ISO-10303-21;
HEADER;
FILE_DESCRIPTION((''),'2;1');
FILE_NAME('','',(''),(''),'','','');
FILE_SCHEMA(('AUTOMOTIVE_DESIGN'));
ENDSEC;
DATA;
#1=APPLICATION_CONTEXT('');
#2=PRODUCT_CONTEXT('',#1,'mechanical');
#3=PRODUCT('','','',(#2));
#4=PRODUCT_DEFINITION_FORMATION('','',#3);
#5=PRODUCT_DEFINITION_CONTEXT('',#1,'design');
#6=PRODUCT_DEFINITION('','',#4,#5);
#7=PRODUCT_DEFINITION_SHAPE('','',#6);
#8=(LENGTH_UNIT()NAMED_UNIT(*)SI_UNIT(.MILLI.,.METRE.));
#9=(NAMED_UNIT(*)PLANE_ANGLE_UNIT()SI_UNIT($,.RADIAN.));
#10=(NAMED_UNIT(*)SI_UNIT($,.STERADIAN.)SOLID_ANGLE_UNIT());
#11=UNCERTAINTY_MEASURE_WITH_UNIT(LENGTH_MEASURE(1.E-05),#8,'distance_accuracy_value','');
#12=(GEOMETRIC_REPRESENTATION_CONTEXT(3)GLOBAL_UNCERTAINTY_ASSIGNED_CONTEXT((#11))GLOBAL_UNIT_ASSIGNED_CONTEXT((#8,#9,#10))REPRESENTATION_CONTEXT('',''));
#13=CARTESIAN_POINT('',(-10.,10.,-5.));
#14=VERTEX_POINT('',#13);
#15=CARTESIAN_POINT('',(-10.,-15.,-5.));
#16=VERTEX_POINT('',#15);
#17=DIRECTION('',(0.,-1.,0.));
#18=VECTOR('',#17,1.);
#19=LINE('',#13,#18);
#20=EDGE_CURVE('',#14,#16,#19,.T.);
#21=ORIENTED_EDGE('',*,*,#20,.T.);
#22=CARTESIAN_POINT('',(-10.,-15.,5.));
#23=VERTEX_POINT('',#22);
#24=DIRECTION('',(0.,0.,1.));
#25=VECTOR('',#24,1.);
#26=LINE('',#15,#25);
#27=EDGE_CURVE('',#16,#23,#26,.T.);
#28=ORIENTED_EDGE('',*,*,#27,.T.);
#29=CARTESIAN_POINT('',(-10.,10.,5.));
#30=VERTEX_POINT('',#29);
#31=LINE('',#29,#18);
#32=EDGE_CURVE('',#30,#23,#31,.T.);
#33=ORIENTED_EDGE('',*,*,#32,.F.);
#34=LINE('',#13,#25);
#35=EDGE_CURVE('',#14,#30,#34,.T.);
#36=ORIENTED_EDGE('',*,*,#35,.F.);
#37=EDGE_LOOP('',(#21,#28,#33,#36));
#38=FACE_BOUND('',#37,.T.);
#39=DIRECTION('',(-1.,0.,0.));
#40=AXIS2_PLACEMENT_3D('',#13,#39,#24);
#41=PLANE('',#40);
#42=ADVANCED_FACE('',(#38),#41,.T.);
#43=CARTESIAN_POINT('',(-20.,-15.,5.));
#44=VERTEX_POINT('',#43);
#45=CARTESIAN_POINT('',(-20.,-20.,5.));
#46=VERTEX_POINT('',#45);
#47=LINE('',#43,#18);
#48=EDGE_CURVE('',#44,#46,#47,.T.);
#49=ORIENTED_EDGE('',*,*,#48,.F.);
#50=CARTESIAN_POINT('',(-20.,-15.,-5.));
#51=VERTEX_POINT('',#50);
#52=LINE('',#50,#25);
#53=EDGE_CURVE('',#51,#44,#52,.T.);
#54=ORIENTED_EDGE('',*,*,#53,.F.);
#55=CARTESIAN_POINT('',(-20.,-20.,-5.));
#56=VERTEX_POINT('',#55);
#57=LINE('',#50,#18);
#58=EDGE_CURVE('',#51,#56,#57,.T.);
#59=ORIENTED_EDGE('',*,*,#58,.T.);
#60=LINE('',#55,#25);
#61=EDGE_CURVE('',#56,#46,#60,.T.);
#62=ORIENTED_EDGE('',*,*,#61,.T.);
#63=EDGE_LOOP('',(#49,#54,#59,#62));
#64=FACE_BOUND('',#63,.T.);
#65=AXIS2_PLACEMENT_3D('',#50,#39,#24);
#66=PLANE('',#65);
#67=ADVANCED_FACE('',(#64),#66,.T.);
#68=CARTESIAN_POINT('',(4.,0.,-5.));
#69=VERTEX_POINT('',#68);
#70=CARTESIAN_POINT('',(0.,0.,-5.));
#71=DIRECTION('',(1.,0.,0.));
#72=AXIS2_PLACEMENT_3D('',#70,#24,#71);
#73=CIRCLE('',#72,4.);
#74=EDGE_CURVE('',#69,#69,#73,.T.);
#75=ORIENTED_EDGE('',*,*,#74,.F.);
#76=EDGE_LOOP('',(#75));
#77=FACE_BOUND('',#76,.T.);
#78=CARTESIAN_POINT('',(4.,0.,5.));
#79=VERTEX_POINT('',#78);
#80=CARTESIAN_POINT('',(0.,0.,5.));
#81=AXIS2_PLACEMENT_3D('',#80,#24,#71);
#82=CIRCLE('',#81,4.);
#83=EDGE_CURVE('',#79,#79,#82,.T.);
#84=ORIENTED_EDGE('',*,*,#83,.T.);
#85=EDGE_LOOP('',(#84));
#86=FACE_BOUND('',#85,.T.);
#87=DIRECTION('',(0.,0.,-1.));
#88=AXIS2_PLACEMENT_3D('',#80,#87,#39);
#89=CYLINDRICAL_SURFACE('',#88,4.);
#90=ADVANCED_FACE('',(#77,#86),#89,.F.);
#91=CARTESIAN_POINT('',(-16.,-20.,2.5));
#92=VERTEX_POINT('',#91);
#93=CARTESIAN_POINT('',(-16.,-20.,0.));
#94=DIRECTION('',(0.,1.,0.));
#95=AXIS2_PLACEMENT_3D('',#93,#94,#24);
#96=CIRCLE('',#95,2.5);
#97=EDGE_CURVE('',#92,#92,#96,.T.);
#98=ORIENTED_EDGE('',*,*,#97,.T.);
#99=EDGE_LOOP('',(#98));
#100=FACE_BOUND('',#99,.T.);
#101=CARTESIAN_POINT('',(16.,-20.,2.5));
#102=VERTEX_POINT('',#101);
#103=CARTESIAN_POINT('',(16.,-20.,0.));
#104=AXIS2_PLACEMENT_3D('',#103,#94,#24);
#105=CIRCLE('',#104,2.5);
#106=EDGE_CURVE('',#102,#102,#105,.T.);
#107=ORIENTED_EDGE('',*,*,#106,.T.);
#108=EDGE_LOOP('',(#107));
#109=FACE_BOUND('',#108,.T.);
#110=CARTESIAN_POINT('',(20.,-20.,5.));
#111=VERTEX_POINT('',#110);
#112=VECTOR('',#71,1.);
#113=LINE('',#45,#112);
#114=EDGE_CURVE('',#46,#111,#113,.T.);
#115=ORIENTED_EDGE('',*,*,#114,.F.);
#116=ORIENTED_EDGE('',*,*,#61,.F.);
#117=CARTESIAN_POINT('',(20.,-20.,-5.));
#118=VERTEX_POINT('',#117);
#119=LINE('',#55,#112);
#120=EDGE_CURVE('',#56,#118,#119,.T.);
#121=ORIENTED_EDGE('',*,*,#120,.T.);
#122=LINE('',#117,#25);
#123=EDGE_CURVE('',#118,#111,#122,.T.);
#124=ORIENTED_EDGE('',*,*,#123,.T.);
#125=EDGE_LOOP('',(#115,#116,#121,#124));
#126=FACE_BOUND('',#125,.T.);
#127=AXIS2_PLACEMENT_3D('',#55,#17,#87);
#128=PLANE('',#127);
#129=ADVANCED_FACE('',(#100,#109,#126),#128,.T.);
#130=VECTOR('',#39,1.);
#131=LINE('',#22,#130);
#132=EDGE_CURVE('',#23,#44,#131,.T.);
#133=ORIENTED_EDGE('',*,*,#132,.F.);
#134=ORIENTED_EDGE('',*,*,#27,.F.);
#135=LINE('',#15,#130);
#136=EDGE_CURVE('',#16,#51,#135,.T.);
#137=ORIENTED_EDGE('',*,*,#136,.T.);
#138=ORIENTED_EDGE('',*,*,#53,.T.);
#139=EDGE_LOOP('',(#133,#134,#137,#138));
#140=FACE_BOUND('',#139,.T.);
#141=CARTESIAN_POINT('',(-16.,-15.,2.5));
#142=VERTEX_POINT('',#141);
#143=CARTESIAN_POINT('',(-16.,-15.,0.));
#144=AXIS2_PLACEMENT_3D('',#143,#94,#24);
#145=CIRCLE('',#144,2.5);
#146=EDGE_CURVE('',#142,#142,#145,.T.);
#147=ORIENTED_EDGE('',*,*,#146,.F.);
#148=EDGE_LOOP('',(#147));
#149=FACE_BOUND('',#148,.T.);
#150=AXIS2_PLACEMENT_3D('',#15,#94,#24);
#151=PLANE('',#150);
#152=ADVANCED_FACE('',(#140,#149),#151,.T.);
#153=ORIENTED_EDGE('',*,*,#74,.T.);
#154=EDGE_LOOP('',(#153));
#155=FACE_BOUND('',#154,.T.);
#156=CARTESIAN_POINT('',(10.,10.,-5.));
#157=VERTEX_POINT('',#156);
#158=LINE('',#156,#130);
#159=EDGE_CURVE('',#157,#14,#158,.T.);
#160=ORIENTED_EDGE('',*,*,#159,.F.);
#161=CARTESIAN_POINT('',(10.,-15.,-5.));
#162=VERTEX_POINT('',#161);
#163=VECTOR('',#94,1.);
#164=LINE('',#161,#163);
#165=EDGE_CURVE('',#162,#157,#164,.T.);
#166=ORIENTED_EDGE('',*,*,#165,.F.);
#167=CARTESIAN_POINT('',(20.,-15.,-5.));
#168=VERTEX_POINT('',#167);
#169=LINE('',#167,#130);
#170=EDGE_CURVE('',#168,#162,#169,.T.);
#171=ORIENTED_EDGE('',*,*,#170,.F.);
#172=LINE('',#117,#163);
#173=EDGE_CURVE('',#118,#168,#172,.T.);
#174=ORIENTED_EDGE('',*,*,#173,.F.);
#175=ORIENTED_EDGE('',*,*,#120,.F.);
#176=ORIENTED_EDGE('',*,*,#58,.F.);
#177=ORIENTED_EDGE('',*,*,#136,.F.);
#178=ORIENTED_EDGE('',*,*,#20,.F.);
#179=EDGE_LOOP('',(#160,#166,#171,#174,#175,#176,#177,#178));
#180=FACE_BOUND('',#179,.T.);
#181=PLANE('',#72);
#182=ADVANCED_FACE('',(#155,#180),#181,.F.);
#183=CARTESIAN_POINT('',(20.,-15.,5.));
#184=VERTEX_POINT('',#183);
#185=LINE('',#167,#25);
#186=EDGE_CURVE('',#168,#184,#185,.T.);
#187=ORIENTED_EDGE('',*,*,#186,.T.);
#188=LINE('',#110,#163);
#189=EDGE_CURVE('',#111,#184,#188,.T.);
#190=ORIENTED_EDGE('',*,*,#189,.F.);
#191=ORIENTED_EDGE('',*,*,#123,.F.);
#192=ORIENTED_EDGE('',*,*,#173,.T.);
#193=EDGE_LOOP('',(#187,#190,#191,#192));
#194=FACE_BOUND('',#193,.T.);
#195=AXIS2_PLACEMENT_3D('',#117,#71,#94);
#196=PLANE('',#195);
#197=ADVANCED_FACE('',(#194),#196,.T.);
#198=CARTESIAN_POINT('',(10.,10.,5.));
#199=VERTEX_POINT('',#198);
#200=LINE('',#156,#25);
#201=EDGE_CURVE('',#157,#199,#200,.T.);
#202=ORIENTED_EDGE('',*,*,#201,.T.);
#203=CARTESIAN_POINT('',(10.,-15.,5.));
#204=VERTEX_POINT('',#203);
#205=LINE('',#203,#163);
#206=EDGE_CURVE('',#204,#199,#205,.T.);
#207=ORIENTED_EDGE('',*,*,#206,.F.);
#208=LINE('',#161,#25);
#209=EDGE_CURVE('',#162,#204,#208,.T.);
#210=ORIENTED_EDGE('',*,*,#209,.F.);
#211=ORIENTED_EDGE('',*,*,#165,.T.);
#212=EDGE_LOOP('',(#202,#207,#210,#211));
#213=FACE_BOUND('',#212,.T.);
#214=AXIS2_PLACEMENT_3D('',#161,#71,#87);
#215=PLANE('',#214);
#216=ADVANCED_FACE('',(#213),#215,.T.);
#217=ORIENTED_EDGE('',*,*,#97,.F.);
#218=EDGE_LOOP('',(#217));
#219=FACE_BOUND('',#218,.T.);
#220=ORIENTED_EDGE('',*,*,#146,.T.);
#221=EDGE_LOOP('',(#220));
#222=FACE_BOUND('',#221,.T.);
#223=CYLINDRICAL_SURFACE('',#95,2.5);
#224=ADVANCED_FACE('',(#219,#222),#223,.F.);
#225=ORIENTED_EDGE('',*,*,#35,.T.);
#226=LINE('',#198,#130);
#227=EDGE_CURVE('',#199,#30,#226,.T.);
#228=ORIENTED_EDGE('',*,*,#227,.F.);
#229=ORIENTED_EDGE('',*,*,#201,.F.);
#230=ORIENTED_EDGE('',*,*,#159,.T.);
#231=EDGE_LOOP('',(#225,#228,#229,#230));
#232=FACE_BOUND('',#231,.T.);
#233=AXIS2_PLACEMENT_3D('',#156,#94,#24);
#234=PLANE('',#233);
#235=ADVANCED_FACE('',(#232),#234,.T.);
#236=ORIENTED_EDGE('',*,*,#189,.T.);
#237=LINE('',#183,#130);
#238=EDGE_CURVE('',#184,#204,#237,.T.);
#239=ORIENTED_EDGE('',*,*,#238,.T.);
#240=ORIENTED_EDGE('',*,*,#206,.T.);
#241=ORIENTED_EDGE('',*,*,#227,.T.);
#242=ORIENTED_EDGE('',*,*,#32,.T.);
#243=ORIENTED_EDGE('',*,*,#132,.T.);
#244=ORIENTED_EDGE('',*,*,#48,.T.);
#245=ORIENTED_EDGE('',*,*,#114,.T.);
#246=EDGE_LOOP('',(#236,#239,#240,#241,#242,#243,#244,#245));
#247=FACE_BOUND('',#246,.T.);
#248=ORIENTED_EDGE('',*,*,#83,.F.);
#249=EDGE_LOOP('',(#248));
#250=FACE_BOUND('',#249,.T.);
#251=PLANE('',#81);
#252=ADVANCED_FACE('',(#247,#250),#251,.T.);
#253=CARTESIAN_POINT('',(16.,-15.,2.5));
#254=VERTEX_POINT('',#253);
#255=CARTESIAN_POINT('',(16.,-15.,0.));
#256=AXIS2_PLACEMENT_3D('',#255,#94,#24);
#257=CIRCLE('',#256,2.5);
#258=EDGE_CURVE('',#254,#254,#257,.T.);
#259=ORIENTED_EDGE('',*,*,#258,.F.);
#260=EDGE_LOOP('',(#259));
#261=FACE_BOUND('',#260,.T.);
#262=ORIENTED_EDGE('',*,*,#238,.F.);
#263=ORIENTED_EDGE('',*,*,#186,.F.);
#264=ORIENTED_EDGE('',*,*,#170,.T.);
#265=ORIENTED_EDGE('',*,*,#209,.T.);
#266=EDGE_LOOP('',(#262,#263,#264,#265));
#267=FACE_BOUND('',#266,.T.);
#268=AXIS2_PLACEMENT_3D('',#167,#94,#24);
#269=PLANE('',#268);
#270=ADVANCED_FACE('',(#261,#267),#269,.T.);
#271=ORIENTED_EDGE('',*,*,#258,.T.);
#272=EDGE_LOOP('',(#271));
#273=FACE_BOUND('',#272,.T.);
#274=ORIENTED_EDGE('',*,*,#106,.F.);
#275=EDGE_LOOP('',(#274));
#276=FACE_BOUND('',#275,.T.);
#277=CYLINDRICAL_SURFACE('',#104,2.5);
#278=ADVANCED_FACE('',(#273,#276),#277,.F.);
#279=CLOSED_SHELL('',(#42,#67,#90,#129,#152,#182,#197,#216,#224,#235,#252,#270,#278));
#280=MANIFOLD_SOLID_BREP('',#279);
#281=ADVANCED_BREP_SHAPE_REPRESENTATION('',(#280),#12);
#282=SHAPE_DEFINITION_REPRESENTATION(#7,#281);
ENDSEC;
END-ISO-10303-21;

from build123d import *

# Parameters (mm, degrees)
RESSALTO_EXTRUS_O1_DEPTH      = 5
RESSALTO_EXTRUS_O1_DEPTH_BACK = 5
CORTE_EXTRUS_O1_DEPTH         = 5
CORTE_EXTRUS_O1_DEPTH_BACK    = 5
ESBO_O2_R                     = 4
ESBO_O3_R                     = 2.5
CORTE_EXTRUS_O2_DEPTH         = 29.722813233


with BuildPart() as part:
    # Esboço1 → Ressalto-extrusão1 (new, two sides: drawn at the far end of the back side and taken through both)
    with BuildSketch(Plane.XY.offset(-RESSALTO_EXTRUS_O1_DEPTH_BACK)):
        Polygon((-10, 10), (-10, -15), (-20, -15), (-20, -20), (20, -20), (20, -15), (10, -15), (10, 10), align=None)
    extrude(amount=RESSALTO_EXTRUS_O1_DEPTH + RESSALTO_EXTRUS_O1_DEPTH_BACK)

    # Esboço2 → Corte-extrusão1 (cut, two sides: drawn at the far end of the back side and taken through both)
    with BuildSketch(Plane.XY.offset(-CORTE_EXTRUS_O1_DEPTH_BACK)):
        Circle(ESBO_O2_R)
    extrude(amount=CORTE_EXTRUS_O1_DEPTH + CORTE_EXTRUS_O1_DEPTH_BACK, mode=Mode.SUBTRACT)

    # Esboço3 → Corte-extrusão2 (cut, through all)
    with BuildSketch(Plane(origin=(0, 0, 0), x_dir=(1, 0, 0), z_dir=(0, 1, 0))):
        with Locations((-16, 0)):
            Circle(ESBO_O3_R)
        with Locations((16, 0)):
            Circle(ESBO_O3_R)
    extrude(amount=-CORTE_EXTRUS_O2_DEPTH, mode=Mode.SUBTRACT)


solid = part.part
